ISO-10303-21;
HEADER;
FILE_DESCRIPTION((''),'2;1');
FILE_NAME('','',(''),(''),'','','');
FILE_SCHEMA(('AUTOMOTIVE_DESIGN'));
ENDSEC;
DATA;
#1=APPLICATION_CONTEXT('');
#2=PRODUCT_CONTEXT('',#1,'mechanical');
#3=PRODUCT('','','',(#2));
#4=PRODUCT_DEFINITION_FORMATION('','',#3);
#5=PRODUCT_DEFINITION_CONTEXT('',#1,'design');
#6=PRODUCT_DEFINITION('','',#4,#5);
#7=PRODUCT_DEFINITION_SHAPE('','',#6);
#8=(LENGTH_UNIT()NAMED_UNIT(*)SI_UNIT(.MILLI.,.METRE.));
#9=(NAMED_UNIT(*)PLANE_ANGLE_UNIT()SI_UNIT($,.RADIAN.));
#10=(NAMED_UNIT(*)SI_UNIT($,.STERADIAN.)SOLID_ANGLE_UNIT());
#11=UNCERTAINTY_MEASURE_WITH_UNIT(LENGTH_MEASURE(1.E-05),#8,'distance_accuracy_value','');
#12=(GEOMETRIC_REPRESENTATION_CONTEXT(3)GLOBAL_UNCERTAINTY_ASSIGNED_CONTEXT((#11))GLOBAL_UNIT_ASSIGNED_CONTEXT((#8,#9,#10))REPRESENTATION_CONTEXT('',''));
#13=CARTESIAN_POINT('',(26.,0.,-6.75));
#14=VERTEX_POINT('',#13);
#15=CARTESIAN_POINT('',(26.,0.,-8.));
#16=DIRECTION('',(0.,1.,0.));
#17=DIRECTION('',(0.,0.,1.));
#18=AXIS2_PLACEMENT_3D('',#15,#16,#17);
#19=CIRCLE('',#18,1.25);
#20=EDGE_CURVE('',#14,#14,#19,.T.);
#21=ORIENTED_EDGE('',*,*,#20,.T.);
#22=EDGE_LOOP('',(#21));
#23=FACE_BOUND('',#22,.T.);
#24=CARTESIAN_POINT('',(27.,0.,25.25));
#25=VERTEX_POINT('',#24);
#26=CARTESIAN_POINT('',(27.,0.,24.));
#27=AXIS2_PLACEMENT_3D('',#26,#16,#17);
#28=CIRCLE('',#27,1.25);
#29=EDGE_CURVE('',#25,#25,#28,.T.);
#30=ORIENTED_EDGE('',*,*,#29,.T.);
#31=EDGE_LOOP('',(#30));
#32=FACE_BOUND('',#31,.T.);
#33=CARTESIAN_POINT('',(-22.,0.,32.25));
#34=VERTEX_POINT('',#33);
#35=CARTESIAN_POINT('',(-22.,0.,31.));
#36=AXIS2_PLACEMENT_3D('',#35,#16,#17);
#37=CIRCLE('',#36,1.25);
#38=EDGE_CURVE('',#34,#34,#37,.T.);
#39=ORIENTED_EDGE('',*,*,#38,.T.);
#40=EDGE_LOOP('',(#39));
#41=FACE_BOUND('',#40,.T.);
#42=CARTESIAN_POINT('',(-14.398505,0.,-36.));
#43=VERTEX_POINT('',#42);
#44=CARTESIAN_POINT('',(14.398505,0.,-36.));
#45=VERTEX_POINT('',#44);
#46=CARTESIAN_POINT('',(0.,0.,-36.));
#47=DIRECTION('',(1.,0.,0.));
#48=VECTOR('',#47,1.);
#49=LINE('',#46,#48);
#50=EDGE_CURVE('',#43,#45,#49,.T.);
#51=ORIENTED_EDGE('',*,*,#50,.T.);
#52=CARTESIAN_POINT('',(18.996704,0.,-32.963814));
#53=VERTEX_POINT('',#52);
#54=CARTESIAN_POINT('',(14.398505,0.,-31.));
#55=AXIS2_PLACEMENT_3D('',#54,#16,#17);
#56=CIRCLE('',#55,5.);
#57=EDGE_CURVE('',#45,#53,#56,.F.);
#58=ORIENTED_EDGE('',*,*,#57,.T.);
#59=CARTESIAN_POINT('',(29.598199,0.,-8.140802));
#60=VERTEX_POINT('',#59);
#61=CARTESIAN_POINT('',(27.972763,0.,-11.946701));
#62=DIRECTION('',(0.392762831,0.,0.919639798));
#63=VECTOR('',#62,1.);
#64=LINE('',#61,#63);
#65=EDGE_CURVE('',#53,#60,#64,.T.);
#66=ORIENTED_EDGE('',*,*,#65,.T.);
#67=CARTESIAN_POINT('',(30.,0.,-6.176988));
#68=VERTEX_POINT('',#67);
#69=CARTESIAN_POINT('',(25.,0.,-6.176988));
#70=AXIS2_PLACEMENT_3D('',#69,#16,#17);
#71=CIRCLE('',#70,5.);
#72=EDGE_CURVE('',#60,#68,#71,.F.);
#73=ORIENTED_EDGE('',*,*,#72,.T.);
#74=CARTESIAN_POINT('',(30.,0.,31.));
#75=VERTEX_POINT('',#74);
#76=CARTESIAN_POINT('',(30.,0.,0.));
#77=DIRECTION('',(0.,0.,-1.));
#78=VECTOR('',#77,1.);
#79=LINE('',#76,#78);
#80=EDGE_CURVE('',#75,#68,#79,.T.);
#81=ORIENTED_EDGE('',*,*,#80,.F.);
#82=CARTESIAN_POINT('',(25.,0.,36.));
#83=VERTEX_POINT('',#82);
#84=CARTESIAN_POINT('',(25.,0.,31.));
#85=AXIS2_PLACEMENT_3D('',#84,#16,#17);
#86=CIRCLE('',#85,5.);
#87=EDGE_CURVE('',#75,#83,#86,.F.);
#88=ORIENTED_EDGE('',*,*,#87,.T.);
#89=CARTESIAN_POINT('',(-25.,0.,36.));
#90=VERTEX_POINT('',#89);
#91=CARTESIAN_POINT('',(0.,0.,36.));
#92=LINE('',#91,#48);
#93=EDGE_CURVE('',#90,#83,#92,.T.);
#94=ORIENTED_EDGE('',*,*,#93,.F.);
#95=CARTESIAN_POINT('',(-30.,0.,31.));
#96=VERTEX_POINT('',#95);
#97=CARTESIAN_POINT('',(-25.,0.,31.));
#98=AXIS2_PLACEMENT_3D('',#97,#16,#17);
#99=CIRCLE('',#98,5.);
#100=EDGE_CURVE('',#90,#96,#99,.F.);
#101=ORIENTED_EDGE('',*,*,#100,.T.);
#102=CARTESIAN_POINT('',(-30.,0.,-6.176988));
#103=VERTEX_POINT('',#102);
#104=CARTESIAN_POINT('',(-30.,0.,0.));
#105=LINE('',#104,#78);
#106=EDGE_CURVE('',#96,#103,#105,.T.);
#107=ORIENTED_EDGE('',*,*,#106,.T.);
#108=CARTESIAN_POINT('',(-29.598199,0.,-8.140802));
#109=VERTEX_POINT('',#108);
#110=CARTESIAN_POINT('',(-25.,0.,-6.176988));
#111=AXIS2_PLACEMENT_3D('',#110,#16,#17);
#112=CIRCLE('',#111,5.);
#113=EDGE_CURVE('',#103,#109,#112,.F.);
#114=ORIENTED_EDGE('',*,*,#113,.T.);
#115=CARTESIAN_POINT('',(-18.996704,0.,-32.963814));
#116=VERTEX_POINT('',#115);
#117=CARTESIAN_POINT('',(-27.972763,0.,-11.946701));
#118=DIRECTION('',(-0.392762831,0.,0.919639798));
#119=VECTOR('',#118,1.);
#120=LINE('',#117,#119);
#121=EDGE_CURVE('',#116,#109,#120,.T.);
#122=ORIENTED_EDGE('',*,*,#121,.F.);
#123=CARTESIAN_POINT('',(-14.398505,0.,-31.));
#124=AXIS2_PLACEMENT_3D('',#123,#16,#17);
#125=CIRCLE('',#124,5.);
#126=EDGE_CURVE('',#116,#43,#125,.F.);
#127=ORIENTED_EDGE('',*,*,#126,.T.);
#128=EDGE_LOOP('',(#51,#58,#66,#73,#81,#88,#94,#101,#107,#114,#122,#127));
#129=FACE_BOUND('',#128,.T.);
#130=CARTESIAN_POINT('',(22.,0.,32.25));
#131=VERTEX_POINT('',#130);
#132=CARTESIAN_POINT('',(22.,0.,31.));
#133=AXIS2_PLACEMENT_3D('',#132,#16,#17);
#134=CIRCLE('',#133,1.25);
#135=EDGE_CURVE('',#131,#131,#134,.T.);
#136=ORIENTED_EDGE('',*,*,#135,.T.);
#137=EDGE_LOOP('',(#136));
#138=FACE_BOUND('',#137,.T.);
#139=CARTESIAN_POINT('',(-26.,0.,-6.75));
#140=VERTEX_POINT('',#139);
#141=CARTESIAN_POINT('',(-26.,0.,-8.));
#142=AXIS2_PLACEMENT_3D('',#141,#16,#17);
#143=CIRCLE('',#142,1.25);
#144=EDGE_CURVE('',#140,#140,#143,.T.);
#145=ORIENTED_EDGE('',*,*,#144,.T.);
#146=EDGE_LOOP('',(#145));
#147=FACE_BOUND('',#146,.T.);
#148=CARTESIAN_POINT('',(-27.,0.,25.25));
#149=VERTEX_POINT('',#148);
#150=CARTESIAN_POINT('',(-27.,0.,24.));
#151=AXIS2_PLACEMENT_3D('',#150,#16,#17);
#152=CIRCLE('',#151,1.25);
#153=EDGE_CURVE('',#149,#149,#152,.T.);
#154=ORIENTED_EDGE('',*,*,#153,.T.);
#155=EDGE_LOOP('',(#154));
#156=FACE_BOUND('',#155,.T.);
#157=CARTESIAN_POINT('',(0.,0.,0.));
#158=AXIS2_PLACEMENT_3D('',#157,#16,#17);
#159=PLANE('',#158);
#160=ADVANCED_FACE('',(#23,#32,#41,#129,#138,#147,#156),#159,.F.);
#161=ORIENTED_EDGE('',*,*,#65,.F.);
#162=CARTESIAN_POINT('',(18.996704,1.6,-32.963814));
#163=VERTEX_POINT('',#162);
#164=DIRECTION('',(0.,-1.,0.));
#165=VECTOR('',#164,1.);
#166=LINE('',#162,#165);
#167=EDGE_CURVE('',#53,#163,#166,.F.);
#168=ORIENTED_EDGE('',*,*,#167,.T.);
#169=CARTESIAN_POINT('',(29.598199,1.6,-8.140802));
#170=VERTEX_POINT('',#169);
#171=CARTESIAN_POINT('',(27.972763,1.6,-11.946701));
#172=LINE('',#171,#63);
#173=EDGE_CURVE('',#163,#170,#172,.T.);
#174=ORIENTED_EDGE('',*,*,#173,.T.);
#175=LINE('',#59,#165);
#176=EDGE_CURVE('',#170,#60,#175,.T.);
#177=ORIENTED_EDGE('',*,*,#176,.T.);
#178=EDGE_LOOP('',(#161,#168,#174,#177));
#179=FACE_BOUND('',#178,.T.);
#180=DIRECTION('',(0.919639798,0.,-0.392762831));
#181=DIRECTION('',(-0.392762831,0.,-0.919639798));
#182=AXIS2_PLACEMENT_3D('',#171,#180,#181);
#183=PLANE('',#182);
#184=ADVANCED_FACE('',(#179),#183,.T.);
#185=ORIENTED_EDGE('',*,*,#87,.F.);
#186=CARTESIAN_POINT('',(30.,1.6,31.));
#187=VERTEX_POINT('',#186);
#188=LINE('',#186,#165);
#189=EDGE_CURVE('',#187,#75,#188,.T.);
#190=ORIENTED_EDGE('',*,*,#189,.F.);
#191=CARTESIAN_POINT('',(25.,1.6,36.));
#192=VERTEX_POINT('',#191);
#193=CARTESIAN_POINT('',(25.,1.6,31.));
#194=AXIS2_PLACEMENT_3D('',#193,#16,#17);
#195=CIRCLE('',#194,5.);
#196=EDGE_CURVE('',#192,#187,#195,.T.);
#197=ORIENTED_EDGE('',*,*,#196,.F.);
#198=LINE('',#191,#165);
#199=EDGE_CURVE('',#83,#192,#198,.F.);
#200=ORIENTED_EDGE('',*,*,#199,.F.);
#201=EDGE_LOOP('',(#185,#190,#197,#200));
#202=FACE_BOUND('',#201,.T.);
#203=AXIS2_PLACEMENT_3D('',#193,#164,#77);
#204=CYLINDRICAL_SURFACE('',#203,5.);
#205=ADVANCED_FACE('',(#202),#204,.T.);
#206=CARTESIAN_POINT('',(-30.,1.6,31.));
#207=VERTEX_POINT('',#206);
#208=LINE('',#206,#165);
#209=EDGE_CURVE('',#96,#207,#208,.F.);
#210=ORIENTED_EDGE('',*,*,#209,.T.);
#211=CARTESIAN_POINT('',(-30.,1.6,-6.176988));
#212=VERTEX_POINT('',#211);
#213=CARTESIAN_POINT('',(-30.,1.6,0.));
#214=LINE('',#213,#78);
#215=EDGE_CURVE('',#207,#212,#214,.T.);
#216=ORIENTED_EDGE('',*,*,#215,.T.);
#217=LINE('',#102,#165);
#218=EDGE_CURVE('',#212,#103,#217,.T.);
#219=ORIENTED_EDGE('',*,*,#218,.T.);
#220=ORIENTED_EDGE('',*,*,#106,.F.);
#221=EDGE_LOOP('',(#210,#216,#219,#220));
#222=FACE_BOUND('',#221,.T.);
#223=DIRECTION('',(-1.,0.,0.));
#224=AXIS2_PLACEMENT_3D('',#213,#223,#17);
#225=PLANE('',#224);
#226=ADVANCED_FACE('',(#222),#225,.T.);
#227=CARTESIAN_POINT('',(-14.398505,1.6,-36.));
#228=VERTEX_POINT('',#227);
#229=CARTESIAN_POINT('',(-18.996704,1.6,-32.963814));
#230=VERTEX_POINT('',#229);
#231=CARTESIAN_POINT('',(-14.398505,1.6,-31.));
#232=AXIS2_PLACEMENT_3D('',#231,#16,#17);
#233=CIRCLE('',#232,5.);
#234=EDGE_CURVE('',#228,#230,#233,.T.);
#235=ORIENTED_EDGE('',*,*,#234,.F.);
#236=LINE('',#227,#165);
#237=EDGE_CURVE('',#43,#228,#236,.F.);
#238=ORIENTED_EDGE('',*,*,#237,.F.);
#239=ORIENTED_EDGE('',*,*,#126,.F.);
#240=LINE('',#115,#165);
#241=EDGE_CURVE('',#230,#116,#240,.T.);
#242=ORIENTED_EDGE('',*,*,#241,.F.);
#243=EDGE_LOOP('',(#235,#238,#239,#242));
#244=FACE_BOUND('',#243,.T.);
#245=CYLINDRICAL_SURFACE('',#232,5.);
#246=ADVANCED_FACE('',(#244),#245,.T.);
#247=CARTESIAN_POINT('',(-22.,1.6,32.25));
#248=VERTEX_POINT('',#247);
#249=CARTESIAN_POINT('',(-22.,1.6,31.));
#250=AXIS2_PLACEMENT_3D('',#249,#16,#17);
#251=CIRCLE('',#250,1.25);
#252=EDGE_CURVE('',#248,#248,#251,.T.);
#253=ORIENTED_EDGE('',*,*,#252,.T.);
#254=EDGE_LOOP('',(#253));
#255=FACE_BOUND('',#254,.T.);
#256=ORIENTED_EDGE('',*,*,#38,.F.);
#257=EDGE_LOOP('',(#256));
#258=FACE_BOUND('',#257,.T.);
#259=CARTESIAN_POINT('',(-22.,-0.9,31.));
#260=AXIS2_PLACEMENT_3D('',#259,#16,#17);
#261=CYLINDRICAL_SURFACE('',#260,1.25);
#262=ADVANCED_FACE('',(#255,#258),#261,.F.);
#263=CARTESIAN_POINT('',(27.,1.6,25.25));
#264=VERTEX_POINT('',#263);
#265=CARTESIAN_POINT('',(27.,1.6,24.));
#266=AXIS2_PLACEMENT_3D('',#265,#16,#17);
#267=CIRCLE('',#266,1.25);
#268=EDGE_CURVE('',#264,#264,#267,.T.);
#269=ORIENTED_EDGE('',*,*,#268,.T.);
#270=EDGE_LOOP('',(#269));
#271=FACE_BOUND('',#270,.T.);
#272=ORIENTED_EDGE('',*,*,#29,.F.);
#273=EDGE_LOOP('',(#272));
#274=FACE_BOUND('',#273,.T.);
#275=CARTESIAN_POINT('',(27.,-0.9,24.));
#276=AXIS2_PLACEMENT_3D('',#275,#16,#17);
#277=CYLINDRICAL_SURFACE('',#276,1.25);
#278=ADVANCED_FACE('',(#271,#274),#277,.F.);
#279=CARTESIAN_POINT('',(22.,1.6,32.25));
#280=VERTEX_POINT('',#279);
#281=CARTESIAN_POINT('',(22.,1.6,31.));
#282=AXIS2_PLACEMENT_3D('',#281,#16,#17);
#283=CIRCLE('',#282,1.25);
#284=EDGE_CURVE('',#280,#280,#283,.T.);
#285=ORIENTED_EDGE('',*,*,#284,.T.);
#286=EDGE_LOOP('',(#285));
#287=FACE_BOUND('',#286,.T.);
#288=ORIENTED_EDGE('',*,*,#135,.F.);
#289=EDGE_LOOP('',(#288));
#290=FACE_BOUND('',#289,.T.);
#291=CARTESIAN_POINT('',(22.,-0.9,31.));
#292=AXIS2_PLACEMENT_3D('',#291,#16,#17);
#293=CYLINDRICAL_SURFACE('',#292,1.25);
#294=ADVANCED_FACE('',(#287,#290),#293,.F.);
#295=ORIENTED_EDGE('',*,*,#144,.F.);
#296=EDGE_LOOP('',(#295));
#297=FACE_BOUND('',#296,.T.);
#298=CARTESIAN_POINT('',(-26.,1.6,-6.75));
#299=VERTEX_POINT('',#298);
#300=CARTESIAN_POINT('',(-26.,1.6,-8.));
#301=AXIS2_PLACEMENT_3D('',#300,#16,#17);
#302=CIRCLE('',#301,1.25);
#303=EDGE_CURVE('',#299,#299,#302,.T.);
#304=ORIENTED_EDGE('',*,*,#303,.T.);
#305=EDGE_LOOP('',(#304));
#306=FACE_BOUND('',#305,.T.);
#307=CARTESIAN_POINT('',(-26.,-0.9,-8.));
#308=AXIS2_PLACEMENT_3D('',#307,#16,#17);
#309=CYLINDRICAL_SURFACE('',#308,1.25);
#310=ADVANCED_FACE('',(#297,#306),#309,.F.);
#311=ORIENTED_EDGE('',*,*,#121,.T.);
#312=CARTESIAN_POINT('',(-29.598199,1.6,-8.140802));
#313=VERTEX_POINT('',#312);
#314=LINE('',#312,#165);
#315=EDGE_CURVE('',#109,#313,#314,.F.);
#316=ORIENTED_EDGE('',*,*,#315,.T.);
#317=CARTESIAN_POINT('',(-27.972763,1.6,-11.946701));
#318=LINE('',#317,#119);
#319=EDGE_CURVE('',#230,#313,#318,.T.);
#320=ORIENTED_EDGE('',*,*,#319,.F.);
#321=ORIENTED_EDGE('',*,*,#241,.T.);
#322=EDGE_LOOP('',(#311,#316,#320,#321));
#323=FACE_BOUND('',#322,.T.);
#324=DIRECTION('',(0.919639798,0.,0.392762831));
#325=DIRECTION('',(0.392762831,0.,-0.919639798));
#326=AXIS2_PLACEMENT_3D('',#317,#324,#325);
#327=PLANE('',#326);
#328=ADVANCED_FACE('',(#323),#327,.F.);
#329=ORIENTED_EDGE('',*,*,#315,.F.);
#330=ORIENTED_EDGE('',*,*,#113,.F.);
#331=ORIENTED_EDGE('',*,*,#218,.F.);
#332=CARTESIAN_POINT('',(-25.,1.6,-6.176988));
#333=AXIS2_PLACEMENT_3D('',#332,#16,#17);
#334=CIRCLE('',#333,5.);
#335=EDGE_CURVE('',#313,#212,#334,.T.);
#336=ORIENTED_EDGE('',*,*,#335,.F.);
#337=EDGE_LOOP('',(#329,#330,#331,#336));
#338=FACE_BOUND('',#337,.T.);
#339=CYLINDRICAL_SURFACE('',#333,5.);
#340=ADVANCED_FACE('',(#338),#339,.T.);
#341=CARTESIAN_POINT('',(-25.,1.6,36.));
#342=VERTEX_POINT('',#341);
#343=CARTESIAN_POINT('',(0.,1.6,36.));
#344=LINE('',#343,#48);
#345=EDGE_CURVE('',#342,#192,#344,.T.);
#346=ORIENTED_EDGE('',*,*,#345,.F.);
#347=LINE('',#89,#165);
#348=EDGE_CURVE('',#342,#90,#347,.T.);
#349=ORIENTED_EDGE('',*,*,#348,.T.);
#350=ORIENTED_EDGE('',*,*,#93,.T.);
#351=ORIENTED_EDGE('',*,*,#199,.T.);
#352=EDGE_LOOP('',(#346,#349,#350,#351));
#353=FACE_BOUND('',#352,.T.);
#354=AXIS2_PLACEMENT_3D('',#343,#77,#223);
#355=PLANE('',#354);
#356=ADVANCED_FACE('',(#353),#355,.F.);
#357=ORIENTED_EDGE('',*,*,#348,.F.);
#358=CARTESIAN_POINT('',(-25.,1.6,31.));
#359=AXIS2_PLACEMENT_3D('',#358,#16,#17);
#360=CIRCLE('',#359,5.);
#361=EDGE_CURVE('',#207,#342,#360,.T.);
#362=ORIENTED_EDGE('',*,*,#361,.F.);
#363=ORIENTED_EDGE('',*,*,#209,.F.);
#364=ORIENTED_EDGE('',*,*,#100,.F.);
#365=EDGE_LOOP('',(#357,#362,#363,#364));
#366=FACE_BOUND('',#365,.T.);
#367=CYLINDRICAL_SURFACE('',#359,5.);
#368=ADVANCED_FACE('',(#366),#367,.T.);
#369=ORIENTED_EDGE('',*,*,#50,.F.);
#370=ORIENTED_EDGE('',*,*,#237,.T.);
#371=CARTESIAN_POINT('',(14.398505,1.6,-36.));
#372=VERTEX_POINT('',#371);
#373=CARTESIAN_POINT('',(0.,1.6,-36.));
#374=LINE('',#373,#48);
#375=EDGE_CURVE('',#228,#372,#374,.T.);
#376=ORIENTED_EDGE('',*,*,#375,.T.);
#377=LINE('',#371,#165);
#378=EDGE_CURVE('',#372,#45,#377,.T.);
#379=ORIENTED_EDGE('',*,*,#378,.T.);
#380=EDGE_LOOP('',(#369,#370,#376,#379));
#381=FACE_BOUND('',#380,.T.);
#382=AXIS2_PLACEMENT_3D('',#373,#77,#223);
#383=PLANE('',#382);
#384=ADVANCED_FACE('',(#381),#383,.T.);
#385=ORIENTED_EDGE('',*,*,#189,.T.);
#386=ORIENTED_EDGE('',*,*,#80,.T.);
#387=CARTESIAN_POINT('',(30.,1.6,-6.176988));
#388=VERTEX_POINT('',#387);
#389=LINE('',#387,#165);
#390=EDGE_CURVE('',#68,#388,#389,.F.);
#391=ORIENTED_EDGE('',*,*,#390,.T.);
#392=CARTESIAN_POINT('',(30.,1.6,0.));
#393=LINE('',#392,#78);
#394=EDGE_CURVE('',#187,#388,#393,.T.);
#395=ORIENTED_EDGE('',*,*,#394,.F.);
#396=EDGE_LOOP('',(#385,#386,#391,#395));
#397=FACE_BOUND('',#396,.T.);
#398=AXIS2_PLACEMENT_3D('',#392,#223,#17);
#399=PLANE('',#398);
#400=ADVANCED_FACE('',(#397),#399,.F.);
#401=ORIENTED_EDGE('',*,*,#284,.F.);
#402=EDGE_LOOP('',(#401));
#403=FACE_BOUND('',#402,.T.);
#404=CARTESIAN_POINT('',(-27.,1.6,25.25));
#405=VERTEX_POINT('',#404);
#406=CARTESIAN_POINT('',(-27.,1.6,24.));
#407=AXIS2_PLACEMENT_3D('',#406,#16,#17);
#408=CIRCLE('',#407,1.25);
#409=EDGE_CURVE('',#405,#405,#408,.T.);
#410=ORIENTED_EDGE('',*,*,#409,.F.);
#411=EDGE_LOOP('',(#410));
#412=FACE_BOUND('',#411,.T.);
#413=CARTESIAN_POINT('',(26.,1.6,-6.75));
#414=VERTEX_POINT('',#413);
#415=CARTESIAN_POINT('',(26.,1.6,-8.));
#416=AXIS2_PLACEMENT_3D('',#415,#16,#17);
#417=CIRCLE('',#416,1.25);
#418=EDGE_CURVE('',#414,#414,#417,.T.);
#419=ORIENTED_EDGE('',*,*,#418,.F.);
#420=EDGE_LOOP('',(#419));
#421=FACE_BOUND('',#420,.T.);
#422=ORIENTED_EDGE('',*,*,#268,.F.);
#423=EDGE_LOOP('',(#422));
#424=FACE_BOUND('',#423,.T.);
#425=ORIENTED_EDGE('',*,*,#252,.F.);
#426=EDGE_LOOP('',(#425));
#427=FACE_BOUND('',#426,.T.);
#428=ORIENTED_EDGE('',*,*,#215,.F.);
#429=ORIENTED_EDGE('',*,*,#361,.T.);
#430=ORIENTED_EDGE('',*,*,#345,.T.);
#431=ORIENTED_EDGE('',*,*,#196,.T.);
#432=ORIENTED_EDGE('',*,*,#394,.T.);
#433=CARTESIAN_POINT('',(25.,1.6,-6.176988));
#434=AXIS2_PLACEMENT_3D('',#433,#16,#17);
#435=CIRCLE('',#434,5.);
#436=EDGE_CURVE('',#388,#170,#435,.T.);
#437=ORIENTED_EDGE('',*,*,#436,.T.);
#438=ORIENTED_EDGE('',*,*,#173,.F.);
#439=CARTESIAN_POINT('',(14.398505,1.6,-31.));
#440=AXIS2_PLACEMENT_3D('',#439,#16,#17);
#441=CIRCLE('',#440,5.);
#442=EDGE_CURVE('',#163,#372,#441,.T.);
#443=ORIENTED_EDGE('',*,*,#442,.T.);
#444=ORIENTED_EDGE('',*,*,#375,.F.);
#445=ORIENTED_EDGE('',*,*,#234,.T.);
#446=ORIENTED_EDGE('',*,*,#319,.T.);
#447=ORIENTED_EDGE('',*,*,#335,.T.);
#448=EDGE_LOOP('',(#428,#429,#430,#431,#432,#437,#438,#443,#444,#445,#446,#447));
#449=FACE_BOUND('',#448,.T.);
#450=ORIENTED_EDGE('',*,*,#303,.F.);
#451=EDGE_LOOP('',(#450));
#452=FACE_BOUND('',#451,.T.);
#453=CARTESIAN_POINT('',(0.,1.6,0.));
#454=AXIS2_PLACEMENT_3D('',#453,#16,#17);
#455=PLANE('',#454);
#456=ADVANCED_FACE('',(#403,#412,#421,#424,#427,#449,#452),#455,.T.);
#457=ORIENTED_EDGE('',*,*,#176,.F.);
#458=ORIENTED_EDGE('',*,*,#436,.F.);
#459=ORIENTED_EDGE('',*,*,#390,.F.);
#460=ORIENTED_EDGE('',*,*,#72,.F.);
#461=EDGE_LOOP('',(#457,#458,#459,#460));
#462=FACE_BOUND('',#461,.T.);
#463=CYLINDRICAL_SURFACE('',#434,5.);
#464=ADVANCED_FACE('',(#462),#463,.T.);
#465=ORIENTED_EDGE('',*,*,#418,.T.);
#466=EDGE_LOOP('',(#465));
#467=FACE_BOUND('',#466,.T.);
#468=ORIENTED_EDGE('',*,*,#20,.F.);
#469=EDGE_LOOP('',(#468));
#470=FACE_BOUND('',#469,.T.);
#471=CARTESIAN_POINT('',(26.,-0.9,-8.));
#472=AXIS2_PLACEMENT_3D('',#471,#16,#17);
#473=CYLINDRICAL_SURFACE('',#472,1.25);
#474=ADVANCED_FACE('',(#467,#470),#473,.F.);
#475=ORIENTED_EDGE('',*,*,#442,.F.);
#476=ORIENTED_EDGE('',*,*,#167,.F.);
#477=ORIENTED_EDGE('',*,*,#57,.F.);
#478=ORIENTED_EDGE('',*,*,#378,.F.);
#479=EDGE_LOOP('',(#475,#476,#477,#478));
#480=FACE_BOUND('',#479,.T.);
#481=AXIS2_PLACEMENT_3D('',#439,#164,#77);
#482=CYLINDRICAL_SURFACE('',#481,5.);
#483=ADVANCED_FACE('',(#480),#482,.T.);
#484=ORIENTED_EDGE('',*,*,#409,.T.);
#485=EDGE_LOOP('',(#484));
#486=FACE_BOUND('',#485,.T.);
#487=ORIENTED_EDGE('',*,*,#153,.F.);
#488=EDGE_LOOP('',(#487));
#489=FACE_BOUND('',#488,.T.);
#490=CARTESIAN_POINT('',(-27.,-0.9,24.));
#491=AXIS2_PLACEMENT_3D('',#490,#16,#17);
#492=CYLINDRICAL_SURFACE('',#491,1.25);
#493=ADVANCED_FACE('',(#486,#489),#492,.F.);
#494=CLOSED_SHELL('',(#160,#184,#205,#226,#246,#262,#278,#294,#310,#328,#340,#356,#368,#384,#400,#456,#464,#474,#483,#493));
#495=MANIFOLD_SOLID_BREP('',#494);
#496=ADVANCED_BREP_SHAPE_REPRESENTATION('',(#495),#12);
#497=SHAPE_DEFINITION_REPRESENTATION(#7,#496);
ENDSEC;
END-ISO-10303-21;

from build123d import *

# Parameters (mm, degrees)
BOSS_EXTRUDE1_DEPTH = 1.6
CUT_EXTRUDE1_START  = 1.6
SKETCH2_R           = 1.25
CUT_EXTRUDE1_DEPTH  = 2.5
FILLET1_R           = 5


with BuildPart() as part:
    # Sketch1 → Boss-Extrude1 (new body)
    with BuildSketch(Plane(origin=(0, 0, 0), x_dir=(1, 0, 0), z_dir=(0, 1, 0))):
        Polygon((17.7, 36), (-17.7, 36), (-30, 7.2), (-30, -36), (30, -36), (30, 7.2), align=None)
    extrude(amount=BOSS_EXTRUDE1_DEPTH)

    # Sketch2 → Cut-Extrude1 (cut)
    with BuildSketch(Plane(origin=(0, 0, 0), x_dir=(1, 0, 0), z_dir=(0, 1, 0)).offset(CUT_EXTRUDE1_START)):
        with Locations((-27, -24)):
            Circle(SKETCH2_R)
        with Locations((27, -24)):
            Circle(SKETCH2_R)
        with Locations((26, 8)):
            Circle(SKETCH2_R)
        with Locations((-26, 8)):
            Circle(SKETCH2_R)
        with Locations((-22, -31)):
            Circle(SKETCH2_R)
        with Locations((22, -31)):
            Circle(SKETCH2_R)
    extrude(amount=-CUT_EXTRUDE1_DEPTH, mode=Mode.SUBTRACT)

    # Fillet1
    fillet1_edges = [part.edges().sort_by_distance(p)[0] for p in [
        (30, 0.8, -7.2),
        (30, 0.8, 36),
        (-30, 0.8, 36),
        (-30, 0.8, -7.2),
        (-17.7, 0.8, -36),
        (17.7, 0.8, -36),
    ]]
    fillet(fillet1_edges, radius=FILLET1_R)


solid = part.part
